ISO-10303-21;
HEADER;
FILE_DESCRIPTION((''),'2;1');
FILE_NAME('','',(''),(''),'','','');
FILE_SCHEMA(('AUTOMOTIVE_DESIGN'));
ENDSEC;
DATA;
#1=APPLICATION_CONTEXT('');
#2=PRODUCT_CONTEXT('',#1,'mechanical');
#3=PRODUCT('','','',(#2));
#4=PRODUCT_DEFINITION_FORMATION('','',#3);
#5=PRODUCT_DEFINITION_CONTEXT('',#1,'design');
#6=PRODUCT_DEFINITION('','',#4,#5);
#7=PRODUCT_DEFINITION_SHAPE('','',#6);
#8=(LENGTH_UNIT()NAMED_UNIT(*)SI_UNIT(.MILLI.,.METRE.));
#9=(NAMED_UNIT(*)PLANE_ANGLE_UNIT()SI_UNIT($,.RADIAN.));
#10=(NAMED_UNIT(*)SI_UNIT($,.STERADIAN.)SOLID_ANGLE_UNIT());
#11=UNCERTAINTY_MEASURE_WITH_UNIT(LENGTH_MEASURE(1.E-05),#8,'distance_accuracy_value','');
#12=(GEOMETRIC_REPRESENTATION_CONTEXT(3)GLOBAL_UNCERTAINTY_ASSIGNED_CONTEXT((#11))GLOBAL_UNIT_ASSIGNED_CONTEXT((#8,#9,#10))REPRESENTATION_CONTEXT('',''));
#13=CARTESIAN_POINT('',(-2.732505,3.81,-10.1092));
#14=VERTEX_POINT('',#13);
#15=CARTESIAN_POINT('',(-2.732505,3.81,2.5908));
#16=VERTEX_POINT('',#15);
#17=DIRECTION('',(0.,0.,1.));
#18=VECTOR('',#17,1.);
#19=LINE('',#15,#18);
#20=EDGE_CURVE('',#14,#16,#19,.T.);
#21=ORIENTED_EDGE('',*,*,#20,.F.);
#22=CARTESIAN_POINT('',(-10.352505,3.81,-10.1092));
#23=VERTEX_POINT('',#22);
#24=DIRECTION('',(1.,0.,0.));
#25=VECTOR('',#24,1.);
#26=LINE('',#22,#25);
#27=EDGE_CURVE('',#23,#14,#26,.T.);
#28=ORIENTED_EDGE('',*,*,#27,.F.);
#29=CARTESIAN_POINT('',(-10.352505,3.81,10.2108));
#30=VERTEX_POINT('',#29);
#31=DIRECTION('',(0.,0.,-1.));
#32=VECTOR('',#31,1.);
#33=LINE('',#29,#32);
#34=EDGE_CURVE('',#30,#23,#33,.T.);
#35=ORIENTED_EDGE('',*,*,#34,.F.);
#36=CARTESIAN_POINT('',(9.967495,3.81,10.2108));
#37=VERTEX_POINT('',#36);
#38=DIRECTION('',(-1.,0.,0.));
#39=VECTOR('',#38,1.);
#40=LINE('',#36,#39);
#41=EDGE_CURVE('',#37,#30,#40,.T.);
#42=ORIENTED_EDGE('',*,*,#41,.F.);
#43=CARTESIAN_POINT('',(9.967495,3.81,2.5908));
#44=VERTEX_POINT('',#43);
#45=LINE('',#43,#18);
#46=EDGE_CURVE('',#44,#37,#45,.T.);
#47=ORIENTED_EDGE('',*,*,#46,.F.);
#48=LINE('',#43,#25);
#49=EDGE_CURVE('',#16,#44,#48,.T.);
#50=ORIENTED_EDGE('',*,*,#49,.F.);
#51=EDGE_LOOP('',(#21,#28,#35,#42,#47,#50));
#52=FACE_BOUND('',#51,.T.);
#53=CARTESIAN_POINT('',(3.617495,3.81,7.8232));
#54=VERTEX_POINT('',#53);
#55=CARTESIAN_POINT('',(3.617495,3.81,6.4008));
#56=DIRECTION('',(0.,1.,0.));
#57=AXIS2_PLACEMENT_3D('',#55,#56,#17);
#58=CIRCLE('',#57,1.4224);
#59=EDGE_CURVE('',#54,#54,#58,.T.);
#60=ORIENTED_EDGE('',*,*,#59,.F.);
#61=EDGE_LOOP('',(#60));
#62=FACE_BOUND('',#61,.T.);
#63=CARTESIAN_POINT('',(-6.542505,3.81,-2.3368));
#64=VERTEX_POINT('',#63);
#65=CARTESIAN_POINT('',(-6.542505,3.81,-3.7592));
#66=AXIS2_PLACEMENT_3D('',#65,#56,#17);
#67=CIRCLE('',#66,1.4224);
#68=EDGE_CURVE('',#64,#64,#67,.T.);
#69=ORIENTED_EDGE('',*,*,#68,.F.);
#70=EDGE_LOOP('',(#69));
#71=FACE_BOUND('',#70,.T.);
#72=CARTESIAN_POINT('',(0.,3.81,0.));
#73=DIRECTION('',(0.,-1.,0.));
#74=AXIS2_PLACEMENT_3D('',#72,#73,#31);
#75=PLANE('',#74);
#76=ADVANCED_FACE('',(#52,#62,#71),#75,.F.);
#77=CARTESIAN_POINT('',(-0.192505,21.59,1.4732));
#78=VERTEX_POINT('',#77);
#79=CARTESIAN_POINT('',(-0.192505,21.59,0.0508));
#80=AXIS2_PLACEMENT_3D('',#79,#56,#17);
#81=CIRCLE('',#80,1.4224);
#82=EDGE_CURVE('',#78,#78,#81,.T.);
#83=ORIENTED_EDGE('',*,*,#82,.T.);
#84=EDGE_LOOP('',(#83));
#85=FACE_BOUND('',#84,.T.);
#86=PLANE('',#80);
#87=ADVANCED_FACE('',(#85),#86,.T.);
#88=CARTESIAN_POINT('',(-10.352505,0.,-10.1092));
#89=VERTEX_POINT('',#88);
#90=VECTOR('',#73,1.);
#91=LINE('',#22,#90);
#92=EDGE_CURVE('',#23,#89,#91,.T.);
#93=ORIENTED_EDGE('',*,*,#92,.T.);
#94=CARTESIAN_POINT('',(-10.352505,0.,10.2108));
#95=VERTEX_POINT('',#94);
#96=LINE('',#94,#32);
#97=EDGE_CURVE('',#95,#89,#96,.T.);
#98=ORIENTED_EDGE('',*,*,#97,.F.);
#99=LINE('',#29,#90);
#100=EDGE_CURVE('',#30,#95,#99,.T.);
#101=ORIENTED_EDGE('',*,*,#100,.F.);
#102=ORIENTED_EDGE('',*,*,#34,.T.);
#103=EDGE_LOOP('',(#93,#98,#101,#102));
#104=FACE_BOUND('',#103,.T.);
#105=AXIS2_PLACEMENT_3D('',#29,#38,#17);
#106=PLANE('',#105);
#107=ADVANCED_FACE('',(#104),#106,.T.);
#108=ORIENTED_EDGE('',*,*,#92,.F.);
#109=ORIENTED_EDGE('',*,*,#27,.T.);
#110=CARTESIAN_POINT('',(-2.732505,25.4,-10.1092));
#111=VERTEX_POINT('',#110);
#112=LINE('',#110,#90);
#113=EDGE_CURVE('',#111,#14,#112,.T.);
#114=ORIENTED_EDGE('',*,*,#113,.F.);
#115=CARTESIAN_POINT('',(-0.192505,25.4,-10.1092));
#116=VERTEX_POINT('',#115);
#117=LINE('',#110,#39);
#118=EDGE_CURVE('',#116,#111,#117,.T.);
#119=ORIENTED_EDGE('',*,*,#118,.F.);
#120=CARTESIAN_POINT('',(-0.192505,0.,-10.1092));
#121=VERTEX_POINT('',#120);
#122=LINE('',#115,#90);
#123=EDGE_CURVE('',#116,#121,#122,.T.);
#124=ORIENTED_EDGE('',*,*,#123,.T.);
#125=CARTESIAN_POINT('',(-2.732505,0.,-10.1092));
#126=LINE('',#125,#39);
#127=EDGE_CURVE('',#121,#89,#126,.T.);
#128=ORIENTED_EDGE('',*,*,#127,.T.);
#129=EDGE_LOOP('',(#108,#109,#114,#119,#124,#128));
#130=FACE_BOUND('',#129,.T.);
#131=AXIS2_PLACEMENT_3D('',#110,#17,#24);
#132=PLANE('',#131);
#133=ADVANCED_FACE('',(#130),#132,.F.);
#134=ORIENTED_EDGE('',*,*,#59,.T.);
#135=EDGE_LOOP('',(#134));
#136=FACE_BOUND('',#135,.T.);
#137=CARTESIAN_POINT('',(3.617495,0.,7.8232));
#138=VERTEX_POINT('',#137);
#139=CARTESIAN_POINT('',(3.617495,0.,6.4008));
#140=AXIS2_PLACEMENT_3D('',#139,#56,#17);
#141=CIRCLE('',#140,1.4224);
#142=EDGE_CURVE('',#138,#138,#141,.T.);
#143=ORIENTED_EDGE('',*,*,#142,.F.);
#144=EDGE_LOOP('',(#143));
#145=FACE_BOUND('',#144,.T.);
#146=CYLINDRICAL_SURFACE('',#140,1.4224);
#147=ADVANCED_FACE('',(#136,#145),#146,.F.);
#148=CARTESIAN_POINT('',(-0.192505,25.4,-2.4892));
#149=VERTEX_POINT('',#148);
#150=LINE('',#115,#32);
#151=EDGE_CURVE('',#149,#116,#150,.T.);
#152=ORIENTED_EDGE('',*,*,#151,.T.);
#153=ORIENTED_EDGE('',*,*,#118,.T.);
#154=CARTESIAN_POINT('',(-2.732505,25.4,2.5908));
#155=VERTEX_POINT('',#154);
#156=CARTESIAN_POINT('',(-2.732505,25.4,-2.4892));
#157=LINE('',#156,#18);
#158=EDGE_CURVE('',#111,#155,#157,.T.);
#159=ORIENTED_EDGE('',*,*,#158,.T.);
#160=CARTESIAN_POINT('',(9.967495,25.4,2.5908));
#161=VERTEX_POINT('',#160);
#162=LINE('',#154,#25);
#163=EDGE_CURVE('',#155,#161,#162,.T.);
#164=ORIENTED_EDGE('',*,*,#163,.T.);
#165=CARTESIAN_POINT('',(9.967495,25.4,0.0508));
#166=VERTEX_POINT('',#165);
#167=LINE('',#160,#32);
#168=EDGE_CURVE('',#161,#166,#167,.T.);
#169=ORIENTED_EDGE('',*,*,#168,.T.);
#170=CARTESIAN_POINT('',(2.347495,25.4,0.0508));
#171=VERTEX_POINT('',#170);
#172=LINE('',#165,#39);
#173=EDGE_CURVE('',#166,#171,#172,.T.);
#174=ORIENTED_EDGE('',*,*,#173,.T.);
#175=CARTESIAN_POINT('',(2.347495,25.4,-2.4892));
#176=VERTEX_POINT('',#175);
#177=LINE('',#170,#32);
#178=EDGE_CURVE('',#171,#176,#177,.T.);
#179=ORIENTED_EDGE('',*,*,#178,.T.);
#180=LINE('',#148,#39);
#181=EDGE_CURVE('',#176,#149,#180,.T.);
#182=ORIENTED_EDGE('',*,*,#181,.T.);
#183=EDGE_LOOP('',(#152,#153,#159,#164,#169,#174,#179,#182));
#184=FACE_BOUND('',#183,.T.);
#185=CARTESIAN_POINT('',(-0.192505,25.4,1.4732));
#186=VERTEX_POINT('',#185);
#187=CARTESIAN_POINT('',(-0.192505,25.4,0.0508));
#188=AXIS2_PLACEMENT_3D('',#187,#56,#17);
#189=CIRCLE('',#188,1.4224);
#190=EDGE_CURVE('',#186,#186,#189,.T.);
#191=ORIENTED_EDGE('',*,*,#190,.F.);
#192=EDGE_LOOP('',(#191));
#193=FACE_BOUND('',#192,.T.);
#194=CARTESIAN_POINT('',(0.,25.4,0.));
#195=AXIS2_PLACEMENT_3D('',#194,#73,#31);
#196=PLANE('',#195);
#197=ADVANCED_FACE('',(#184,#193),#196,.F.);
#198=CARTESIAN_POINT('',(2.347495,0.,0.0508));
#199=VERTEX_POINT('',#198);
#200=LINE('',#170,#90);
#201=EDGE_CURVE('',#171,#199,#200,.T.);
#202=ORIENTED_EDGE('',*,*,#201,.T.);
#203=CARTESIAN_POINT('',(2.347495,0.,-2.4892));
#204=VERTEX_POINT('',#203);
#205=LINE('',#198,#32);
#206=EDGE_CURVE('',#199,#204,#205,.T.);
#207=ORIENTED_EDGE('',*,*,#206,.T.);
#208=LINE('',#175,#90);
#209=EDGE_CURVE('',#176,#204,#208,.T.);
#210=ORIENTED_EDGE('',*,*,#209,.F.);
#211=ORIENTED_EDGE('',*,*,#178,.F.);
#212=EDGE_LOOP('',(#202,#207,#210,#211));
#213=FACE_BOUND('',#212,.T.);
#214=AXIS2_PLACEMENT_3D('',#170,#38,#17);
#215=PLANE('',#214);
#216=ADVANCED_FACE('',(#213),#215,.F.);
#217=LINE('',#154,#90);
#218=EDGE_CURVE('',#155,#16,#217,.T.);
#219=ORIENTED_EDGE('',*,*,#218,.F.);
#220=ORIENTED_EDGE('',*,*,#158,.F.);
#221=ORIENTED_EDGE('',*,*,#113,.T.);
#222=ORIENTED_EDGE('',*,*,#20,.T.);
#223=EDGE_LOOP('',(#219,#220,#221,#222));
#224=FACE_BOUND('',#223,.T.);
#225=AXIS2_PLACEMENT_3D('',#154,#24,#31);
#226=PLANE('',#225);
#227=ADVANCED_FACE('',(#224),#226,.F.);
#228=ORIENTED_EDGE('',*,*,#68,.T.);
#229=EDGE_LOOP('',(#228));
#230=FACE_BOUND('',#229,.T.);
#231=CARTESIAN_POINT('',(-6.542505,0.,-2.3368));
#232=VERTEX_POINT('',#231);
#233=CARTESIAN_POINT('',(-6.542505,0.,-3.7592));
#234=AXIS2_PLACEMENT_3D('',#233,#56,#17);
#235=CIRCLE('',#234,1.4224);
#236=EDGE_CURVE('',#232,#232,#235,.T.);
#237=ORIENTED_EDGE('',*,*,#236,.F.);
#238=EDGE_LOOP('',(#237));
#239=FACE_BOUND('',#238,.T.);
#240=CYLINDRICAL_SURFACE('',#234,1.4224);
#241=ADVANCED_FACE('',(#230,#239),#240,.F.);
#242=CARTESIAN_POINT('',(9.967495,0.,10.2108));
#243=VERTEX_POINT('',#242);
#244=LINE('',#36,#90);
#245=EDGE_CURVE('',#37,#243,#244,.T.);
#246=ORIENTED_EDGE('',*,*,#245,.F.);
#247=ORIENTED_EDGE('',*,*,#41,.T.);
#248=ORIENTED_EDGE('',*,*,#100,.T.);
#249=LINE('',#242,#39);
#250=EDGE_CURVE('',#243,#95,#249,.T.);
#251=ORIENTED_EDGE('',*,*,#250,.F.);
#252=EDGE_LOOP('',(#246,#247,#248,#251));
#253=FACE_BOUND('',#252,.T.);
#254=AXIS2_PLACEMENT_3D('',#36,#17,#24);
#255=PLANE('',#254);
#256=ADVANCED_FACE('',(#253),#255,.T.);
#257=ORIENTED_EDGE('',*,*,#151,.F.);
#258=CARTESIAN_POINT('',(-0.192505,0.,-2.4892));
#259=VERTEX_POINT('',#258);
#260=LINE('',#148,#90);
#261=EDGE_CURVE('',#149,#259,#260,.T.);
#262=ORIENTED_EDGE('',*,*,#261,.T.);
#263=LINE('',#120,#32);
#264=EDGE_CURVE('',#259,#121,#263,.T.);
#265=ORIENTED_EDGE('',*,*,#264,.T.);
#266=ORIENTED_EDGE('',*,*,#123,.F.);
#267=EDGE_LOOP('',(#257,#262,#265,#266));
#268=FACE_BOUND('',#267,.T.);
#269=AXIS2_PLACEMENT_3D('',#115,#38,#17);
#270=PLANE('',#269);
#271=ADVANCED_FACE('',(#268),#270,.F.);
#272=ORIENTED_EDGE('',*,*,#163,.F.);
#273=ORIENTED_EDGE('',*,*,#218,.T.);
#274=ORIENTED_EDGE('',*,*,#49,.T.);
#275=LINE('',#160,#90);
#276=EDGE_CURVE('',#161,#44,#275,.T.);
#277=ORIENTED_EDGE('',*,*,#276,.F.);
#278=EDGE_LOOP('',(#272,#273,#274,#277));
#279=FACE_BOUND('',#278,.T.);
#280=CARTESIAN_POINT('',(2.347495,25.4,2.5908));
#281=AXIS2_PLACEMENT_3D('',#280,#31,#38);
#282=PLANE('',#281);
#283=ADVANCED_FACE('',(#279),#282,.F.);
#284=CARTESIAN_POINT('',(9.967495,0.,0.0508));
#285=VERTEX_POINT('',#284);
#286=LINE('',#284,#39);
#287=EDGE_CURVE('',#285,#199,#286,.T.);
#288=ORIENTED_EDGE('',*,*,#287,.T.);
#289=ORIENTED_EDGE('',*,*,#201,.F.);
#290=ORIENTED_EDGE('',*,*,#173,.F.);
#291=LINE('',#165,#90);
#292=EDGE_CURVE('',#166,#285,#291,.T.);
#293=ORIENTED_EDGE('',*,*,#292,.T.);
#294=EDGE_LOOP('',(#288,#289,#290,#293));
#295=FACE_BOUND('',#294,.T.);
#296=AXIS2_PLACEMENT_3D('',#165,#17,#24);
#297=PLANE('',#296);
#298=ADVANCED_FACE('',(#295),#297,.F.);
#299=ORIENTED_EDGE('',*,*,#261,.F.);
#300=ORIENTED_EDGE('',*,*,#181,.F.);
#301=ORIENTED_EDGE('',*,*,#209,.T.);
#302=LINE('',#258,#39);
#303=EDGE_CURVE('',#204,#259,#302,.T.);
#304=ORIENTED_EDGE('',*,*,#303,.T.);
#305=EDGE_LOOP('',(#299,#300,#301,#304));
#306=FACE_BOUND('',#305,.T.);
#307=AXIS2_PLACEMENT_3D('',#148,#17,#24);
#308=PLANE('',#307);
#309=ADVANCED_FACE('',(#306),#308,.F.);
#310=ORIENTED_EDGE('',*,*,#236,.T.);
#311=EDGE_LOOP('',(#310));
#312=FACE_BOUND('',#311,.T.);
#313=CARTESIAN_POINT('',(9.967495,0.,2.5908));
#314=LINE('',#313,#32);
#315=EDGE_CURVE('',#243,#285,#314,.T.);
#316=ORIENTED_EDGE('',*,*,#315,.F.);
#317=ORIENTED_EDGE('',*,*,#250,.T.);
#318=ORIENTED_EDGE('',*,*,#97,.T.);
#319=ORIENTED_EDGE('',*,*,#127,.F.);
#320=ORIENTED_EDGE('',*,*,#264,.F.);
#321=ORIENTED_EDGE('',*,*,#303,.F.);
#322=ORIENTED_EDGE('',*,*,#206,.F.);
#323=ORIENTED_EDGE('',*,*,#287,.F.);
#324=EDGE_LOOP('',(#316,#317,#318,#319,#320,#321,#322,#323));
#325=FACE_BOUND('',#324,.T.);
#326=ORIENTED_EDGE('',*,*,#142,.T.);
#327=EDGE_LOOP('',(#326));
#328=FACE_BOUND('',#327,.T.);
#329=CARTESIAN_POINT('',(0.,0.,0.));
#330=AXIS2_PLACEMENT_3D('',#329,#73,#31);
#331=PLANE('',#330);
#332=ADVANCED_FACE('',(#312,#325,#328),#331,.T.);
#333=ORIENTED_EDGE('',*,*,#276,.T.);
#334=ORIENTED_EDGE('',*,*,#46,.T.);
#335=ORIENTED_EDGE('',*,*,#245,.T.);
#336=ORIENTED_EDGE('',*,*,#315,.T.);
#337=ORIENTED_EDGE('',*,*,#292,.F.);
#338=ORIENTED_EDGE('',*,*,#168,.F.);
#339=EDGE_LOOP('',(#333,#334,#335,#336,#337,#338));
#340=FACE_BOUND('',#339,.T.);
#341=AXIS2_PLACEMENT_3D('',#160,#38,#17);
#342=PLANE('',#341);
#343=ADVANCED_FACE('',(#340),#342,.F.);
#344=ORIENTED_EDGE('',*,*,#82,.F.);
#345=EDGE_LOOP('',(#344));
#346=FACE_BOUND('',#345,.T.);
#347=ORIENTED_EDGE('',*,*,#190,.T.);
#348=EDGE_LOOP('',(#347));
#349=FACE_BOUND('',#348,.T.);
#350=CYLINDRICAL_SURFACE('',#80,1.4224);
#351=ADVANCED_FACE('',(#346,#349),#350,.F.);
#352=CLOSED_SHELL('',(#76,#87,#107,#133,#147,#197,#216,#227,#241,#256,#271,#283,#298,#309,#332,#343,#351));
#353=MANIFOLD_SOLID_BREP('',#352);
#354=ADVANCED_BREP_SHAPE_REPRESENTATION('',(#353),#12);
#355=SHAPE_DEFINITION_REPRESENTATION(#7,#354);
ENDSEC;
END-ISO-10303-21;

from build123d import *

# Parameters (mm, degrees)
BOSS_EXTRUDE4_DEPTH                      = 25.4
SKETCH5_R                                = 1.4224
CAGE_MOUNTING_HOLE_4_40_TAPPED_DEPTH     = 3.81
BOSS_EXTRUDE5_DEPTH                      = 3.81
SKETCH7_R                                = 1.4224
BASE_MOUNTING_HOLES_4_40_CLEARANCE_DEPTH = 3.81


with BuildPart() as part:
    # Sketch4 → Boss-Extrude4 (new body)
    with BuildSketch(Plane(origin=(0, 0, 0), x_dir=(1, 0, 0), z_dir=(0, 1, 0))):
        Polygon((-2.732505263, 2.4892), (-2.732505263, 10.1092), (-0.192505263, 10.1092), (-0.192505263, 2.4892), (2.347494737, 2.4892), (2.347494737, -0.0508), (9.967494737, -0.0508), (9.967494737, -2.5908), (2.347494737, -2.5908), (-2.732505263, -2.5908), align=None)
    extrude(amount=BOSS_EXTRUDE4_DEPTH)

    # Sketch5 → Cage Mounting Hole (4-40 Tapped) (cut)
    with BuildSketch(Plane(origin=(0, 25.4, 0), x_dir=(1, 0, 0), z_dir=(0, 1, 0))):
        with Locations((-0.192505263, -0.0508)):
            Circle(SKETCH5_R)
    extrude(amount=-CAGE_MOUNTING_HOLE_4_40_TAPPED_DEPTH, mode=Mode.SUBTRACT)

    # Sketch6 → Boss-Extrude5 (add)
    with BuildSketch(Plane.XZ):
        Polygon((9.967494737, 2.5908), (9.967494737, 10.2108), (-10.352505263, 10.2108), (-10.352505263, -10.1092), (-2.732505263, -10.1092), (-2.732505263, 2.5908), align=None)
    extrude(amount=-BOSS_EXTRUDE5_DEPTH)

    # Sketch7 → Base Mounting Holes (4-40 Clearance) (cut)
    with BuildSketch(Plane(origin=(0, 3.81, 0), x_dir=(1, 0, 0), z_dir=(0, 1, 0))):
        with Locations((-6.542505263, 3.7592)):
            Circle(SKETCH7_R)
        with Locations((3.617494737, -6.4008)):
            Circle(SKETCH7_R)
    extrude(amount=-BASE_MOUNTING_HOLES_4_40_CLEARANCE_DEPTH, mode=Mode.SUBTRACT)


solid = part.part
